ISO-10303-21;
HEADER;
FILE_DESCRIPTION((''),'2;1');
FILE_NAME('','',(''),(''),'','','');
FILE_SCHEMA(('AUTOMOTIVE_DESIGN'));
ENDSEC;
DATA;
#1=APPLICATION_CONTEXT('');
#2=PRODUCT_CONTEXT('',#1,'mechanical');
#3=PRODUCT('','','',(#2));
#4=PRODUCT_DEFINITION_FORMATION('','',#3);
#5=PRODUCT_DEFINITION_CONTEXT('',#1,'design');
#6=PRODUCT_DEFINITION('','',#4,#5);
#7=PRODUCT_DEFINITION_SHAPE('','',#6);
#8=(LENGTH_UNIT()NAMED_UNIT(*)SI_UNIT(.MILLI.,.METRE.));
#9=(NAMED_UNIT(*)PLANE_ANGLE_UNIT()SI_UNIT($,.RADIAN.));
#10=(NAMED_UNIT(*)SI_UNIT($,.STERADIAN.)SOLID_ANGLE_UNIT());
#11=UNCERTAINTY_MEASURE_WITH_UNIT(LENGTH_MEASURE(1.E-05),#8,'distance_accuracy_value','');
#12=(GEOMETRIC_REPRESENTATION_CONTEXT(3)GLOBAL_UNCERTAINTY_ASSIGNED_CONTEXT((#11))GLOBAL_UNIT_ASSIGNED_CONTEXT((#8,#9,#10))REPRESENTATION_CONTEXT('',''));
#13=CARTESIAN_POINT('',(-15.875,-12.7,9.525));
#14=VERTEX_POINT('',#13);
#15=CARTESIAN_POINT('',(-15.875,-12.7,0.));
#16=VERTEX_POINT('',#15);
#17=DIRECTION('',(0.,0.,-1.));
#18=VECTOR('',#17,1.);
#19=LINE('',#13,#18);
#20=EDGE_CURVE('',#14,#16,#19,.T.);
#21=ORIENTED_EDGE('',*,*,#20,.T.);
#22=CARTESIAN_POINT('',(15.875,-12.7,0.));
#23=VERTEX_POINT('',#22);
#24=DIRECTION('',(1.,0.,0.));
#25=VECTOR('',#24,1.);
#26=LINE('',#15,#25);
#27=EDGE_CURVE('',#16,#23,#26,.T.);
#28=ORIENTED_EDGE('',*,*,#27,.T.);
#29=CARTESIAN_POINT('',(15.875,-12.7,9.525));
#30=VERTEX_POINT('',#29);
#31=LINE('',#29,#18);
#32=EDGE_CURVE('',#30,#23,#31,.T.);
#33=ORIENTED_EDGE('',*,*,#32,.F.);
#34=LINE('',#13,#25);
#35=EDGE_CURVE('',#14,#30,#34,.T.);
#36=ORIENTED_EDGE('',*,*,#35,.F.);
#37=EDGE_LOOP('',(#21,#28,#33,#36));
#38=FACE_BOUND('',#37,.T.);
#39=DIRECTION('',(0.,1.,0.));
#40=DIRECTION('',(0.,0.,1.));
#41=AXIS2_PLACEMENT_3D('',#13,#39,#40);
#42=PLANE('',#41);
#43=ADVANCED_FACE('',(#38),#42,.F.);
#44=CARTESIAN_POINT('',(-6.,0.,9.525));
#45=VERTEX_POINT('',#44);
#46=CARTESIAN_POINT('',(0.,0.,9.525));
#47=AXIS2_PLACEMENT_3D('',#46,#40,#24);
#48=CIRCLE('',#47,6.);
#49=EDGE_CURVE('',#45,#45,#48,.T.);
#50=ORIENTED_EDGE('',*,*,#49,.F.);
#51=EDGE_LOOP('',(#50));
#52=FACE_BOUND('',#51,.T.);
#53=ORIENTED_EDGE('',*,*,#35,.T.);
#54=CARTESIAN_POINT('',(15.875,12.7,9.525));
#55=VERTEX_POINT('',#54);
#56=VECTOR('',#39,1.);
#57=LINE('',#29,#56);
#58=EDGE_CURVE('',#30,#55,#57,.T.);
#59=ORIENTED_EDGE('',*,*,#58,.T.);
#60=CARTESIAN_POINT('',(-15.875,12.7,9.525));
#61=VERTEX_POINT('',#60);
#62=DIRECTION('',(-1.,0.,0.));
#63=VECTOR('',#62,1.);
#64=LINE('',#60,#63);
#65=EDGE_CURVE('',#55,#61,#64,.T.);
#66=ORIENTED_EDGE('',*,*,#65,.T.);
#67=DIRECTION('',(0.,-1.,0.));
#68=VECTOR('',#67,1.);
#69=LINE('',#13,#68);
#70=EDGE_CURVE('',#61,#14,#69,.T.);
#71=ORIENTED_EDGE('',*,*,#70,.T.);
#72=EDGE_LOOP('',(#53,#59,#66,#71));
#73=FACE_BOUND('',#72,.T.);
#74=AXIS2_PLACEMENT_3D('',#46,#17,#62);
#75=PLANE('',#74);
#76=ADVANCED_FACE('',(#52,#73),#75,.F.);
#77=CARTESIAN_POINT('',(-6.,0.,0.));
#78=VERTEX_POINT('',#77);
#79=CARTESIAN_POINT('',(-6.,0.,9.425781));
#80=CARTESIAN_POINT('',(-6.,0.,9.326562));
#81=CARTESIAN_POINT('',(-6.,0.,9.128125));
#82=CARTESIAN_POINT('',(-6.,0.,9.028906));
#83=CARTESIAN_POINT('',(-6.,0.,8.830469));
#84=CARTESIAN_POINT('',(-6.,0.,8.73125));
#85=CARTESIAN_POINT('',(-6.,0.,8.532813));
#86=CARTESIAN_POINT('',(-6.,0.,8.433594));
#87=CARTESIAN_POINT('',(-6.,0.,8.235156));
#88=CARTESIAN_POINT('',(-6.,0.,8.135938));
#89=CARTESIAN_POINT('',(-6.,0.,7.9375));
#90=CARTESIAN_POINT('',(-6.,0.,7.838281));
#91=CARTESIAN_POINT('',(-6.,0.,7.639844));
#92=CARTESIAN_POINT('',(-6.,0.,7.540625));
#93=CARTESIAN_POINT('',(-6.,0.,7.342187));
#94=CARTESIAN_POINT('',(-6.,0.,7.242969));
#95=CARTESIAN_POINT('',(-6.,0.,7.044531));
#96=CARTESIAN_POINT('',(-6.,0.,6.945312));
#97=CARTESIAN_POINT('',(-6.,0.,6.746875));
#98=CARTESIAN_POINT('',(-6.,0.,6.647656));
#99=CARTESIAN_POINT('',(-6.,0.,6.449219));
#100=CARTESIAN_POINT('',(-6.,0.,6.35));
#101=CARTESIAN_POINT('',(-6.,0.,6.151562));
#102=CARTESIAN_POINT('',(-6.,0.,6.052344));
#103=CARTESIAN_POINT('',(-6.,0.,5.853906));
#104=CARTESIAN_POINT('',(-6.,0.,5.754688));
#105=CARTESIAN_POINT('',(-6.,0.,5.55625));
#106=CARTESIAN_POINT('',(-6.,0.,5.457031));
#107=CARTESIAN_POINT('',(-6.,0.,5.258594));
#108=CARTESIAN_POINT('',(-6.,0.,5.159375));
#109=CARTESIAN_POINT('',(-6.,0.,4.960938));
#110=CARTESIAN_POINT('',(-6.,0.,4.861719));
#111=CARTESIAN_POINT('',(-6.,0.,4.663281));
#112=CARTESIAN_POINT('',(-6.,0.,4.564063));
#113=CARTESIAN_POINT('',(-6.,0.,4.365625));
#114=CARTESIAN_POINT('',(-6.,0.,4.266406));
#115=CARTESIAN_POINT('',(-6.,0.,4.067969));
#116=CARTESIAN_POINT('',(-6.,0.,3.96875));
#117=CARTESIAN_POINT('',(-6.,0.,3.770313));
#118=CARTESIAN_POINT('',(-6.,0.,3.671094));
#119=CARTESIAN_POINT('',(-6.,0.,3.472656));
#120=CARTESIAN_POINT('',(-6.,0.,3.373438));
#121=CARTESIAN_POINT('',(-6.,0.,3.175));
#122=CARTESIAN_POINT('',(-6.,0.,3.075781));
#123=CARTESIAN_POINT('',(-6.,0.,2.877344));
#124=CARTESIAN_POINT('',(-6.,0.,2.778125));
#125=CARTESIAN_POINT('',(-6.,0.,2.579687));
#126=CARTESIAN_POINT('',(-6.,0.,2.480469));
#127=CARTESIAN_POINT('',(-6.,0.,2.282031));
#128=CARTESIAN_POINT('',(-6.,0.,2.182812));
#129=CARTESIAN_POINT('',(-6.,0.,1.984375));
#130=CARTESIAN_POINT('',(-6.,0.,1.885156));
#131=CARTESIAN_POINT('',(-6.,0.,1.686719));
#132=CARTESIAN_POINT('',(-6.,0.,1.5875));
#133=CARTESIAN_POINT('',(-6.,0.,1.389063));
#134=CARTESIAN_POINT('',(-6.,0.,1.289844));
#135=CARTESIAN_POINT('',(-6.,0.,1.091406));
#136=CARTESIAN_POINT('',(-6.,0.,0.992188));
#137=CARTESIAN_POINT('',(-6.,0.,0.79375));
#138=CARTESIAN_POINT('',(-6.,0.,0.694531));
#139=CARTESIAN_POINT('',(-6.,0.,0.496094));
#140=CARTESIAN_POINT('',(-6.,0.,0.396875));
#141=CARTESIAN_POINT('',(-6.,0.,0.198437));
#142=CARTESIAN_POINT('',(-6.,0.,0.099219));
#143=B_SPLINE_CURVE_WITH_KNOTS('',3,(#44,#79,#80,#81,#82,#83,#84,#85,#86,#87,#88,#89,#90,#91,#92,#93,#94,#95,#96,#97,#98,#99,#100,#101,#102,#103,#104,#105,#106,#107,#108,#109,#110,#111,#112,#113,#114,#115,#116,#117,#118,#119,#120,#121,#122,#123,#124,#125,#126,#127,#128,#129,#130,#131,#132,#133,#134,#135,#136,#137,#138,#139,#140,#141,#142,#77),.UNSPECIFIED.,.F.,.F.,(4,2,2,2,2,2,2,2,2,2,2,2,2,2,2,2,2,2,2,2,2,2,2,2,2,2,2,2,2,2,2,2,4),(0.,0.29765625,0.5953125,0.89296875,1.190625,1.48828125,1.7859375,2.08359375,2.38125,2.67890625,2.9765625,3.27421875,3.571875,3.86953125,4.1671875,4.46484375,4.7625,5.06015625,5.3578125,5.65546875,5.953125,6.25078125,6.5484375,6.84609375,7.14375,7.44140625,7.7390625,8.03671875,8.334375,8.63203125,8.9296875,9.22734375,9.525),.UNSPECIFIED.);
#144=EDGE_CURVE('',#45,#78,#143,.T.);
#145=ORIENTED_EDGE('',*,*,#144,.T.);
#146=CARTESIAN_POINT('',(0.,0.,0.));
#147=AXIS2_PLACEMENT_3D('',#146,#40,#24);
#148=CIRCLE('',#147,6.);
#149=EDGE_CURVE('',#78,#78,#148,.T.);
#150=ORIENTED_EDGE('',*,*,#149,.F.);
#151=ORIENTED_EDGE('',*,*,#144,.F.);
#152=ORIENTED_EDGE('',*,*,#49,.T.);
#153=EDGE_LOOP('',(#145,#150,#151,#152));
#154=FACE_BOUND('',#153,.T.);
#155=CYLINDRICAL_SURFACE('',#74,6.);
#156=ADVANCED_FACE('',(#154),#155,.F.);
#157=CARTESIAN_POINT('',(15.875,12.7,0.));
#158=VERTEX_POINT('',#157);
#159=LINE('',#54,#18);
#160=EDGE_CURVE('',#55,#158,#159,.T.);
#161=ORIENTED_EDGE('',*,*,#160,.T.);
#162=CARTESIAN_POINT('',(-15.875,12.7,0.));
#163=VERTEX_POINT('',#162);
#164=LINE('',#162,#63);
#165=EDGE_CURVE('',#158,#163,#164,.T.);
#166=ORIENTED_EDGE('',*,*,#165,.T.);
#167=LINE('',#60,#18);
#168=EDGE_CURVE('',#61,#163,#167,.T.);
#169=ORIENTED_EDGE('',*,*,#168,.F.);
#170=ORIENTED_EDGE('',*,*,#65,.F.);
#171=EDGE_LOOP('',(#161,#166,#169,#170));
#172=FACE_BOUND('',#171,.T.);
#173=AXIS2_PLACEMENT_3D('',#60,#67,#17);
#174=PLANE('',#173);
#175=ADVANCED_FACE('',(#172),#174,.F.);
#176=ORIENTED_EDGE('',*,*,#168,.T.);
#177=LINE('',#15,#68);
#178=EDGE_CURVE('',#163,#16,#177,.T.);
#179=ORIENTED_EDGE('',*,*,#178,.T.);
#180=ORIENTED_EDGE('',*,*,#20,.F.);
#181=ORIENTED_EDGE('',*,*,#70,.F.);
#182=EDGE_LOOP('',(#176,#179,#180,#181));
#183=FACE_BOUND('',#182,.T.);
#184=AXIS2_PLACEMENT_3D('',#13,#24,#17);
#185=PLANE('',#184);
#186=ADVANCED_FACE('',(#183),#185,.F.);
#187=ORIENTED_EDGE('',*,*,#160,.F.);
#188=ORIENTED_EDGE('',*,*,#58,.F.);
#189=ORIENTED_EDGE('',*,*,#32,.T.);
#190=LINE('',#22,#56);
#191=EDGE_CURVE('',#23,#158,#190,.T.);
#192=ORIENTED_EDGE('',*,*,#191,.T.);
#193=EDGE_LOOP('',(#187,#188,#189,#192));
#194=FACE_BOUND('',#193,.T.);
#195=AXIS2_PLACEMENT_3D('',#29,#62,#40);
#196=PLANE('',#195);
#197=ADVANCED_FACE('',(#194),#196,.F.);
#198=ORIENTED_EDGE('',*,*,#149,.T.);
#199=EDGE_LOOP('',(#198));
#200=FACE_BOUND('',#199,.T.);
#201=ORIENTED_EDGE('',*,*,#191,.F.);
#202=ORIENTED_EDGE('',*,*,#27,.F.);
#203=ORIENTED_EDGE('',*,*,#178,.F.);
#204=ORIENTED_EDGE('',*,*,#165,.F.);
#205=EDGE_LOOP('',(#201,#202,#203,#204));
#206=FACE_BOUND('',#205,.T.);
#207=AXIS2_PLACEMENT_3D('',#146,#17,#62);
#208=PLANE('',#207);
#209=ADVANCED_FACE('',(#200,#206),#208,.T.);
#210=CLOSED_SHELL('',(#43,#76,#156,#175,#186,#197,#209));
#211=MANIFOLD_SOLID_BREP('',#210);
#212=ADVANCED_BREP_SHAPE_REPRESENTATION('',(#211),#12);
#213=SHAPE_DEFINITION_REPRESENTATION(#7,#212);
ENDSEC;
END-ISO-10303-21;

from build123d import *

# Parameters (mm, degrees)
SKETCH1_W           = 31.75
SKETCH1_H           = 25.4
SKETCH1_R           = 6
BOSS_EXTRUDE1_DEPTH = 9.525


with BuildPart() as part:
    # Sketch1 → Boss-Extrude1 (new body)
    with BuildSketch(Plane.XY):
        Rectangle(SKETCH1_W, SKETCH1_H)
        with Locations(Location((0, 0, 0), (0, 0, 180))):
            Circle(SKETCH1_R, mode=Mode.SUBTRACT)
    extrude(amount=BOSS_EXTRUDE1_DEPTH)


solid = part.part
